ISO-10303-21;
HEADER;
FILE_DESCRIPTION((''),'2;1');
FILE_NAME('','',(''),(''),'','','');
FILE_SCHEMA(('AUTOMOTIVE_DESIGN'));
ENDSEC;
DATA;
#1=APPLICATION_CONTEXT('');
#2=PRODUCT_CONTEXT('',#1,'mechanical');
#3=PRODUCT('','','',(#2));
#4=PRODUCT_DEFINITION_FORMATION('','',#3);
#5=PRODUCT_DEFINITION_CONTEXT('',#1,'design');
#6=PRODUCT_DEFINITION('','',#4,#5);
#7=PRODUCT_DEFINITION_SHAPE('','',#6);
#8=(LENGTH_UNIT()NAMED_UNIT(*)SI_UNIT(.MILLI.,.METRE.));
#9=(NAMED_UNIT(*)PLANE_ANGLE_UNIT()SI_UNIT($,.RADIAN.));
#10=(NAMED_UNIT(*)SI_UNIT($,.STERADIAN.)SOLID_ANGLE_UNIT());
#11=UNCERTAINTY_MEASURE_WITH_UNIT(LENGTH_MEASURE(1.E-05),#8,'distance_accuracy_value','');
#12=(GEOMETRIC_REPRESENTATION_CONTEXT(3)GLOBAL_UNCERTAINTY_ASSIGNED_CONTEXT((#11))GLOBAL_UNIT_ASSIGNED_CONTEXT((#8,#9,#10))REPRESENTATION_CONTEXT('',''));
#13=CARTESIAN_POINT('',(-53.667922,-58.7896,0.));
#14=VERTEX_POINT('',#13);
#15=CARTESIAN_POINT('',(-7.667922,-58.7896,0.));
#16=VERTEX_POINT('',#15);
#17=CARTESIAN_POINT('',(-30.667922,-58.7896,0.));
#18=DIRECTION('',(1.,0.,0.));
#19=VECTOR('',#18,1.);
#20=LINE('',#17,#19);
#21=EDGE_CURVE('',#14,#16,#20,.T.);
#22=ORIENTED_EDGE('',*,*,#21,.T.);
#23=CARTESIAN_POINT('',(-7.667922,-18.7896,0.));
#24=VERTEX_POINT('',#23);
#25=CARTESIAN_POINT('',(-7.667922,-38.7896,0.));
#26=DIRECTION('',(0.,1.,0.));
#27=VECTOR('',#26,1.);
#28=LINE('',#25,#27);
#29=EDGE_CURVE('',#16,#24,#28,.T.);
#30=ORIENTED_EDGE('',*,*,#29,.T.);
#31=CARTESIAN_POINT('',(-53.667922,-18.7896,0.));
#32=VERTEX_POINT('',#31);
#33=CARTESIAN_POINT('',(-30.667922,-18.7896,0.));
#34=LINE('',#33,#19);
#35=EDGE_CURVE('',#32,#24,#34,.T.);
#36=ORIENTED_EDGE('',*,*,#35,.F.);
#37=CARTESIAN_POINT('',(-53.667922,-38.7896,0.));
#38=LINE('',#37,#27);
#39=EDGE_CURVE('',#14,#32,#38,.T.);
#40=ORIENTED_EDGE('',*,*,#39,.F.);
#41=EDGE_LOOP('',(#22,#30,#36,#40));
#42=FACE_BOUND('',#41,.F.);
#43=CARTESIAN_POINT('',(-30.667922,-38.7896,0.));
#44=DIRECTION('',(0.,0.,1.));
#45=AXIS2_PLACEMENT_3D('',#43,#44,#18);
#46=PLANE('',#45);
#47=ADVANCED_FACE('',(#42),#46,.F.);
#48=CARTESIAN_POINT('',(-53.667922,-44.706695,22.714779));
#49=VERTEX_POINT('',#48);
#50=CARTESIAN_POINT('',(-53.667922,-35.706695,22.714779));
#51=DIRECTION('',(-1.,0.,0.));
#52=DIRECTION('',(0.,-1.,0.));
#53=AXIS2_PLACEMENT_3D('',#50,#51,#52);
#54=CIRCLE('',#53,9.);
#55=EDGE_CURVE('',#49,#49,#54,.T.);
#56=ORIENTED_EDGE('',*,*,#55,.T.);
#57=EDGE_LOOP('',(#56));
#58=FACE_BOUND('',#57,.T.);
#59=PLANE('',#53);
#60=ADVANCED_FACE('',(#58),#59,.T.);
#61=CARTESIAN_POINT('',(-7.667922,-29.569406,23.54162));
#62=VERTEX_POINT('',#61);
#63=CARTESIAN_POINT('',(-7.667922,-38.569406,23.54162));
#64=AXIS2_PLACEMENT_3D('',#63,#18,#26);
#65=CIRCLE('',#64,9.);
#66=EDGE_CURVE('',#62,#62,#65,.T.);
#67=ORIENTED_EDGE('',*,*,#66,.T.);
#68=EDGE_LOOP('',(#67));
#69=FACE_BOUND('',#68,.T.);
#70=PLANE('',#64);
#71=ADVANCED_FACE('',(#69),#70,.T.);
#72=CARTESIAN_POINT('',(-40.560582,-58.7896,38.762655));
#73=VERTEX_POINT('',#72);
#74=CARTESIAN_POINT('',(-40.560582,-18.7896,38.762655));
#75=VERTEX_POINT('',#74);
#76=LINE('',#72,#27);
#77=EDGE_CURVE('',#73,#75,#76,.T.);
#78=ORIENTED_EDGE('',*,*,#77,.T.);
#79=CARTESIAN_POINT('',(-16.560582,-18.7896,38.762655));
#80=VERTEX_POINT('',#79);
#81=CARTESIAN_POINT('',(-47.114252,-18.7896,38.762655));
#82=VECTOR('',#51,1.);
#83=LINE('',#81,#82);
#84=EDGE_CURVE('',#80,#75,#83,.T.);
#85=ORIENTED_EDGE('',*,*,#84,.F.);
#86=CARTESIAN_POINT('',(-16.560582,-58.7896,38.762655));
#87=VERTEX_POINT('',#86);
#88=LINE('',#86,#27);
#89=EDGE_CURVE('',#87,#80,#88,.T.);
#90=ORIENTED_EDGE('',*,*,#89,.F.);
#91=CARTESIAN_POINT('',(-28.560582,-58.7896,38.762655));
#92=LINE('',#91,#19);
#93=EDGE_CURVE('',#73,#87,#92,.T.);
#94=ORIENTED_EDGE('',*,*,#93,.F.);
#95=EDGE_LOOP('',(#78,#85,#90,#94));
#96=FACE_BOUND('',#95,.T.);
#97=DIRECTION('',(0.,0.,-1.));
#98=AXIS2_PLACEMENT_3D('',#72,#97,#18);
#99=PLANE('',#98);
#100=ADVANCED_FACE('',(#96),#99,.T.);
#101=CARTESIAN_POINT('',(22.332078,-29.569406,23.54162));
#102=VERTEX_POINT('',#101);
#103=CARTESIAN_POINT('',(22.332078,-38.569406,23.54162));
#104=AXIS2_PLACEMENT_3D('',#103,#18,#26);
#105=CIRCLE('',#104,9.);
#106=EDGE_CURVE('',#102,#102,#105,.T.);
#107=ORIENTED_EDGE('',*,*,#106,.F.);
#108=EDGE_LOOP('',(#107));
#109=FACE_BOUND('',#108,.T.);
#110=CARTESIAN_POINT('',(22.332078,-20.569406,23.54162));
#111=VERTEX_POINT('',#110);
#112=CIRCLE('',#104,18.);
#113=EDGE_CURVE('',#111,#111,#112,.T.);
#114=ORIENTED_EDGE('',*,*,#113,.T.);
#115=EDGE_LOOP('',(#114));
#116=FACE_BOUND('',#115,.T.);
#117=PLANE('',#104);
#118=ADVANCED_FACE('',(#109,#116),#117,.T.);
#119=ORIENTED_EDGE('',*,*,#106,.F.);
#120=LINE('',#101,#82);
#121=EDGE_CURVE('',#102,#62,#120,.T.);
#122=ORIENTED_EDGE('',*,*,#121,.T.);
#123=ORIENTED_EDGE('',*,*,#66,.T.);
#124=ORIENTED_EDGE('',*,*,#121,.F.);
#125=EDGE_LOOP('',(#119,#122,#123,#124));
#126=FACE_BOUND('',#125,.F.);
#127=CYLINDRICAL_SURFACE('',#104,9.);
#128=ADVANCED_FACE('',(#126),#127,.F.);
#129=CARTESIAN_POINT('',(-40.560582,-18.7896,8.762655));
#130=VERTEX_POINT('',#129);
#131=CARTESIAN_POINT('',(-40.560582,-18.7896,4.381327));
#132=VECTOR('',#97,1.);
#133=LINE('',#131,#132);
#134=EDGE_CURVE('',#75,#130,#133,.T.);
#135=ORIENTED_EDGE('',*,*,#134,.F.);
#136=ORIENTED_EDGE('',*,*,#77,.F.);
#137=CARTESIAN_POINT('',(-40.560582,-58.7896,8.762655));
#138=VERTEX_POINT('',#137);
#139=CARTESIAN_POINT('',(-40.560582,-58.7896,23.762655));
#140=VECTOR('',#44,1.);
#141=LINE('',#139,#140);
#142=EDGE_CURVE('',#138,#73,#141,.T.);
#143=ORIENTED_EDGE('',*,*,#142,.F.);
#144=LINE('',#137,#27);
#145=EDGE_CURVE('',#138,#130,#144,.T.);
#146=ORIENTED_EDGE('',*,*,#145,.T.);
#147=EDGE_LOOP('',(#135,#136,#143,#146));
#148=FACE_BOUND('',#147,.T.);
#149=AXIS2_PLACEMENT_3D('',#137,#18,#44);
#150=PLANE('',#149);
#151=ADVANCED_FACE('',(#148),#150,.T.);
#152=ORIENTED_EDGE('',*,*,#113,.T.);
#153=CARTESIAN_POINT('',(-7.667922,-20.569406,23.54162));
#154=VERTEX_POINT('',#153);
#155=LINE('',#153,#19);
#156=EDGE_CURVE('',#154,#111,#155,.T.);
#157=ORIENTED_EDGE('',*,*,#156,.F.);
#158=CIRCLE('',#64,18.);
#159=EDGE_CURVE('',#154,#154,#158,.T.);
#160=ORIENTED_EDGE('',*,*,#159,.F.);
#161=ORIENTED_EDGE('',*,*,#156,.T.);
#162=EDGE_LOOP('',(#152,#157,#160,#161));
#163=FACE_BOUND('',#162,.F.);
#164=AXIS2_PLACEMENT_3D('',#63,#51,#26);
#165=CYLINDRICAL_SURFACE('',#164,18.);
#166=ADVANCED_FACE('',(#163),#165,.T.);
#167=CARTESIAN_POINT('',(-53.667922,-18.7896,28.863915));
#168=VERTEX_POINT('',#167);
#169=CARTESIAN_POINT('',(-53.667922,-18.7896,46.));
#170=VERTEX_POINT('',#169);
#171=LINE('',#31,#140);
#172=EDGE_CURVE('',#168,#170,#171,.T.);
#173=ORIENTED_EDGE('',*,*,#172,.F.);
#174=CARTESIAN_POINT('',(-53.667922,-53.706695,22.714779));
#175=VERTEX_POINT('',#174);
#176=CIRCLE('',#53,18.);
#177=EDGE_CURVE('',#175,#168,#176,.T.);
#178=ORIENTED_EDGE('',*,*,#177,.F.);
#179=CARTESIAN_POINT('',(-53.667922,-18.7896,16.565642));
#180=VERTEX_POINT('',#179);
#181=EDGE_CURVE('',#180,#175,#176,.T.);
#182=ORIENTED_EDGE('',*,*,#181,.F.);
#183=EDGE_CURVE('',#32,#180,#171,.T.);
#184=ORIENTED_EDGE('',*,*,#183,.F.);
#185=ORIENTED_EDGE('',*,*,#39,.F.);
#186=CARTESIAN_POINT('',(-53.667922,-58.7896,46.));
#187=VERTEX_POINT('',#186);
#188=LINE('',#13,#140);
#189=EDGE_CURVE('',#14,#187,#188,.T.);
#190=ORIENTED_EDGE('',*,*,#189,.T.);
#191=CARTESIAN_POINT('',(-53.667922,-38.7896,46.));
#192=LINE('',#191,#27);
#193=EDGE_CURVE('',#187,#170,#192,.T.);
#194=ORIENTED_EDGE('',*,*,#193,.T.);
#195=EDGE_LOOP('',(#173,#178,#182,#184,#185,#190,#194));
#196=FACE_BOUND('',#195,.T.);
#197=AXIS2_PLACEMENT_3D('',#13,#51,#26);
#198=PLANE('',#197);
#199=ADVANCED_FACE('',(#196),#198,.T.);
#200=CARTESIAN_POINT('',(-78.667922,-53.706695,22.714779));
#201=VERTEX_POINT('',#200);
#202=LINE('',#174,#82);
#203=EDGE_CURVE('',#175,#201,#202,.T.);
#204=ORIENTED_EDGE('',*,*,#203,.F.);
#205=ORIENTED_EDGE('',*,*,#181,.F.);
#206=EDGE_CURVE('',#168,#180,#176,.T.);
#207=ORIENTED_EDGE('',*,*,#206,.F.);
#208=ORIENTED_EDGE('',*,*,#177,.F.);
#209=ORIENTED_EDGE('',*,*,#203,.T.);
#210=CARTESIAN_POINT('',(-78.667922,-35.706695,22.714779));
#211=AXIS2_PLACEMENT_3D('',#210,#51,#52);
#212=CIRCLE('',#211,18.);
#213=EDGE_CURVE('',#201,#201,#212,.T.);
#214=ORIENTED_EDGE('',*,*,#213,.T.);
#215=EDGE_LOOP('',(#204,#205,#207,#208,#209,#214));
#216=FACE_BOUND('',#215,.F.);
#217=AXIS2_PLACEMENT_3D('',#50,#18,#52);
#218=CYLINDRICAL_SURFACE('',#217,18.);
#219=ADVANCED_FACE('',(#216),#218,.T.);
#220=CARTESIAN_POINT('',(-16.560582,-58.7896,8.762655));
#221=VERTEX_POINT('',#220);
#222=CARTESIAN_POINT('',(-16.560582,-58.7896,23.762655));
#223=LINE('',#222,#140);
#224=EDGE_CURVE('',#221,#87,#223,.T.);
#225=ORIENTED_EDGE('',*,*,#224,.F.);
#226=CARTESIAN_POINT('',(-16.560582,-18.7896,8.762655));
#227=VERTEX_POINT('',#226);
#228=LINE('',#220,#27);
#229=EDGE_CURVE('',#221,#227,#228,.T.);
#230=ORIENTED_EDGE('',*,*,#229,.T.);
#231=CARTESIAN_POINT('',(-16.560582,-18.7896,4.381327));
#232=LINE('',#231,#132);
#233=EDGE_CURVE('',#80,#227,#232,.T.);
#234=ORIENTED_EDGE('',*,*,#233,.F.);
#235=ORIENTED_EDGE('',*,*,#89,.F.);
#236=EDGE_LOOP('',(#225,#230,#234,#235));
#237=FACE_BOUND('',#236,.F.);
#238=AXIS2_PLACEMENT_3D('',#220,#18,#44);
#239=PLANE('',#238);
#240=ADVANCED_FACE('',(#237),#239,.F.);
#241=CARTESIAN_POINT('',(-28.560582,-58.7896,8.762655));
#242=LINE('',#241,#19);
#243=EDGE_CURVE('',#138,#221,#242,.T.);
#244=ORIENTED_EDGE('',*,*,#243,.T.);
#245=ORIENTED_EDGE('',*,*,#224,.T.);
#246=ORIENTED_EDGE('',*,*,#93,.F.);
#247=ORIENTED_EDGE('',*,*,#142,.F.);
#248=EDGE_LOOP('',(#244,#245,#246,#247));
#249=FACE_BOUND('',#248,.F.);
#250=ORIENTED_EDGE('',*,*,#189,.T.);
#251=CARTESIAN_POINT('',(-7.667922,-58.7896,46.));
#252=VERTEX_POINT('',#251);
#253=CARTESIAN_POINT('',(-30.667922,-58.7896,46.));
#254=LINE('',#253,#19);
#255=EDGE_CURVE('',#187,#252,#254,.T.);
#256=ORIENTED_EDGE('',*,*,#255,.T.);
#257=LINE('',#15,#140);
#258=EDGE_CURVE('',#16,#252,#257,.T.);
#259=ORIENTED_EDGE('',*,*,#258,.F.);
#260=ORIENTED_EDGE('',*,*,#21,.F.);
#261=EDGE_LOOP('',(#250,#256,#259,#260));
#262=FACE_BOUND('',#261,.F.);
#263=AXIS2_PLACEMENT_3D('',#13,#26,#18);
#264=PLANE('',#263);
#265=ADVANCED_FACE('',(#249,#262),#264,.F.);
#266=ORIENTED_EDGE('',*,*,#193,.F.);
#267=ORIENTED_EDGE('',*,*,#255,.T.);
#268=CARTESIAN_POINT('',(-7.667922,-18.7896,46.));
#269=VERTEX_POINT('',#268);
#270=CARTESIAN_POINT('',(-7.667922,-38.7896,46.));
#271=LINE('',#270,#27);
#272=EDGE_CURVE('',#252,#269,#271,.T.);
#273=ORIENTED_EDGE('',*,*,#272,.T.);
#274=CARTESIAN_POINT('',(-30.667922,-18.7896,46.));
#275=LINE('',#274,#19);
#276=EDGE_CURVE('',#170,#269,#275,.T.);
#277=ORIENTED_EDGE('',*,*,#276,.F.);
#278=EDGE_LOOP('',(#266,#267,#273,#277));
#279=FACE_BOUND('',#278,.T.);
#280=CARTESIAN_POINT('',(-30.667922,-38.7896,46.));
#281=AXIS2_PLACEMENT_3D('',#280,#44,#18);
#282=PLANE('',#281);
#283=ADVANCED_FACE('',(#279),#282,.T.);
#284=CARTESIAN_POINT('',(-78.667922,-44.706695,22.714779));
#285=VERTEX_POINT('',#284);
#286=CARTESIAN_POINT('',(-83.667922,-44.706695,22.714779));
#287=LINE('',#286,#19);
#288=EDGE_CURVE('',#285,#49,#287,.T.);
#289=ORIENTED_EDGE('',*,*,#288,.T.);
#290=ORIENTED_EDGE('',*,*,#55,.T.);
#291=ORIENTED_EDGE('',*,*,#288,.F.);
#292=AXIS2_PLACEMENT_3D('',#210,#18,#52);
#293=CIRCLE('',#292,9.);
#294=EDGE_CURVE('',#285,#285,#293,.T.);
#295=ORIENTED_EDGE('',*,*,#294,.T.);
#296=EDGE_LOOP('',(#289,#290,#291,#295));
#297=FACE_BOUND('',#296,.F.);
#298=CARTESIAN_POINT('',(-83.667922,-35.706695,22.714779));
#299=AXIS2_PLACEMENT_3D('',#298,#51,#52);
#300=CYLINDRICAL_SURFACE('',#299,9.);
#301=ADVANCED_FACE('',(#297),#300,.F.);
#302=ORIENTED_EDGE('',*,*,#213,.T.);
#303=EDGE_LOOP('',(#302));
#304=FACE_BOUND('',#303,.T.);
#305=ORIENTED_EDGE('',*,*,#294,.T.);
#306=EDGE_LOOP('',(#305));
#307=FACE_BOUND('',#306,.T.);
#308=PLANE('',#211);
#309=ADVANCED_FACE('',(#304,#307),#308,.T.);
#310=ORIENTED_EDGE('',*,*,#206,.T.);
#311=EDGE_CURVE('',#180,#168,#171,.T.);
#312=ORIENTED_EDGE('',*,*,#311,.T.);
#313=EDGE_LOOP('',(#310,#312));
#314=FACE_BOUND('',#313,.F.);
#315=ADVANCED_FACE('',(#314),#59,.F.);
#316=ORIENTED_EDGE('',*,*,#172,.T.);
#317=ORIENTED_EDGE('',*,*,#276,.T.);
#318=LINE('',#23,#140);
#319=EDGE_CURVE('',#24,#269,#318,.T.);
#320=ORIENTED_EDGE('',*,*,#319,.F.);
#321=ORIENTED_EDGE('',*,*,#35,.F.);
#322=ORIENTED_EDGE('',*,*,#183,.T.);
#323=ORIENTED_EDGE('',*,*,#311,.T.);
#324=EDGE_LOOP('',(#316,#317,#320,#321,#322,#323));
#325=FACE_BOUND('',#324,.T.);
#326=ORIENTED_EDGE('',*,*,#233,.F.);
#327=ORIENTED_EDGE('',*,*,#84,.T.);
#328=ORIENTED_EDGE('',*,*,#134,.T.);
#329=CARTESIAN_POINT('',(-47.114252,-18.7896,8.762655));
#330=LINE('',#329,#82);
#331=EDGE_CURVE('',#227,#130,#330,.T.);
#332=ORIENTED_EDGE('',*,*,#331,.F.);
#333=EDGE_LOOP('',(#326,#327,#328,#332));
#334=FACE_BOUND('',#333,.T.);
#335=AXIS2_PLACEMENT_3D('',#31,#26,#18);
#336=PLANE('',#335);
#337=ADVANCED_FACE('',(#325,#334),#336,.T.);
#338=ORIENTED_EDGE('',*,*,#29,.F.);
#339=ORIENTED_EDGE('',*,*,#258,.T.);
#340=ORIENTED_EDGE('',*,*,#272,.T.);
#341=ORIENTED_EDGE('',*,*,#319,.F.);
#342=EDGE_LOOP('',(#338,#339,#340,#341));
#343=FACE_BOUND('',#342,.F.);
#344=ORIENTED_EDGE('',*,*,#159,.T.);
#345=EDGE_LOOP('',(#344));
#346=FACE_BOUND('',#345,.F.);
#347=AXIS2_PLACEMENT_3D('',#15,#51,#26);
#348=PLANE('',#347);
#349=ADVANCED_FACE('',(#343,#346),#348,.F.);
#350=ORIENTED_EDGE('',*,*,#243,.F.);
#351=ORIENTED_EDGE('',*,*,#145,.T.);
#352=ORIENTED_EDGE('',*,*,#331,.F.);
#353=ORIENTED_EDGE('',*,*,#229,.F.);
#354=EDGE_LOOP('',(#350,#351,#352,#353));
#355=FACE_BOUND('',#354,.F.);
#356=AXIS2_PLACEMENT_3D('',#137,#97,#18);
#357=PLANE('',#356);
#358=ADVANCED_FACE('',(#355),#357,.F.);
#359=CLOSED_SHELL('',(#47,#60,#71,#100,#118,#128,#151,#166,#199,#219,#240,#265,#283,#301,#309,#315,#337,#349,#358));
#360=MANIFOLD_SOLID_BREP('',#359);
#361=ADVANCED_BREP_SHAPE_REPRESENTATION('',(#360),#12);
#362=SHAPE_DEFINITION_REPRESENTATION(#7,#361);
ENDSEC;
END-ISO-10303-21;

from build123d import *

# Parameters (mm, degrees)
F0_W      = 46
F0_H      = 40
F1_DEPTH  = 46
F2_R      = 9
F3_DEPTH  = 30
F4_R      = 9
F5_DEPTH  = 30
F6_W      = 24
F6_H      = 30
F7_DEPTH  = 46
F9_R      = 18
F10_DEPTH = 25
F8_R      = 9
F11_DEPTH = 30
F12_R     = 18
F13_DEPTH = 30
F14_R     = 9
F15_DEPTH = 30


with BuildPart() as f1:
    # F0 (on Top) → F1 (new body)
    with BuildSketch(Plane.XY):
        with Locations((-30.6679215729, -38.7895996869)):
            Rectangle(F0_W, F0_H)
    extrude(amount=F1_DEPTH)

    # F2 (on face) → F3 (join)
    with BuildSketch(Plane(origin=(-53.6679215729, 0, 0), x_dir=(0, -1, 0), z_dir=(-1, 0, 0))):
        with Locations((35.7066951692, 22.7147787809)):
            Circle(F2_R)
    extrude(amount=F3_DEPTH)

    # F4 (on face) → F5 (join)
    with BuildSketch(Plane.YZ.offset(-7.6679215729)):
        with Locations((-38.5694056749, 23.5416200012)):
            Circle(F4_R)
    extrude(amount=F5_DEPTH)

    # F6 (on face) → F7 (cut)
    with BuildSketch(Plane.XZ.offset(58.7895996869)):
        with Locations((-28.5605824441, 23.7626548484)):
            Rectangle(F6_W, F6_H)
    extrude(amount=-F7_DEPTH, mode=Mode.SUBTRACT)

    # F9 (on face) → F10 (join)
    with BuildSketch(Plane(origin=(-53.6679215729, 0, 0), x_dir=(0, -1, 0), z_dir=(-1, 0, 0))):
        with Locations((35.7066951692, 22.7147787809)):
            Circle(F9_R)
    extrude(amount=F10_DEPTH)

    # F8 (on face) → F11 (cut)
    with BuildSketch(Plane(origin=(-83.6679215729, 0, 0), x_dir=(0, -1, 0), z_dir=(-1, 0, 0))):
        with Locations((35.7066951692, 22.7147787809)):
            Circle(F8_R)
    extrude(amount=-F11_DEPTH, mode=Mode.SUBTRACT)

    # F12 (on face) → F13 (join)
    with BuildSketch(Plane.YZ.offset(-7.6679215729)):
        with Locations((-38.5694056749, 23.5416200012)):
            Circle(F12_R)
    extrude(amount=F13_DEPTH)

    # F14 (on face) → F15 (cut)
    with BuildSketch(Plane.YZ.offset(22.3320784271)):
        with Locations((-38.5694056749, 23.5416200012)):
            Circle(F14_R)
    extrude(amount=-F15_DEPTH, mode=Mode.SUBTRACT)


solid = f1.part
